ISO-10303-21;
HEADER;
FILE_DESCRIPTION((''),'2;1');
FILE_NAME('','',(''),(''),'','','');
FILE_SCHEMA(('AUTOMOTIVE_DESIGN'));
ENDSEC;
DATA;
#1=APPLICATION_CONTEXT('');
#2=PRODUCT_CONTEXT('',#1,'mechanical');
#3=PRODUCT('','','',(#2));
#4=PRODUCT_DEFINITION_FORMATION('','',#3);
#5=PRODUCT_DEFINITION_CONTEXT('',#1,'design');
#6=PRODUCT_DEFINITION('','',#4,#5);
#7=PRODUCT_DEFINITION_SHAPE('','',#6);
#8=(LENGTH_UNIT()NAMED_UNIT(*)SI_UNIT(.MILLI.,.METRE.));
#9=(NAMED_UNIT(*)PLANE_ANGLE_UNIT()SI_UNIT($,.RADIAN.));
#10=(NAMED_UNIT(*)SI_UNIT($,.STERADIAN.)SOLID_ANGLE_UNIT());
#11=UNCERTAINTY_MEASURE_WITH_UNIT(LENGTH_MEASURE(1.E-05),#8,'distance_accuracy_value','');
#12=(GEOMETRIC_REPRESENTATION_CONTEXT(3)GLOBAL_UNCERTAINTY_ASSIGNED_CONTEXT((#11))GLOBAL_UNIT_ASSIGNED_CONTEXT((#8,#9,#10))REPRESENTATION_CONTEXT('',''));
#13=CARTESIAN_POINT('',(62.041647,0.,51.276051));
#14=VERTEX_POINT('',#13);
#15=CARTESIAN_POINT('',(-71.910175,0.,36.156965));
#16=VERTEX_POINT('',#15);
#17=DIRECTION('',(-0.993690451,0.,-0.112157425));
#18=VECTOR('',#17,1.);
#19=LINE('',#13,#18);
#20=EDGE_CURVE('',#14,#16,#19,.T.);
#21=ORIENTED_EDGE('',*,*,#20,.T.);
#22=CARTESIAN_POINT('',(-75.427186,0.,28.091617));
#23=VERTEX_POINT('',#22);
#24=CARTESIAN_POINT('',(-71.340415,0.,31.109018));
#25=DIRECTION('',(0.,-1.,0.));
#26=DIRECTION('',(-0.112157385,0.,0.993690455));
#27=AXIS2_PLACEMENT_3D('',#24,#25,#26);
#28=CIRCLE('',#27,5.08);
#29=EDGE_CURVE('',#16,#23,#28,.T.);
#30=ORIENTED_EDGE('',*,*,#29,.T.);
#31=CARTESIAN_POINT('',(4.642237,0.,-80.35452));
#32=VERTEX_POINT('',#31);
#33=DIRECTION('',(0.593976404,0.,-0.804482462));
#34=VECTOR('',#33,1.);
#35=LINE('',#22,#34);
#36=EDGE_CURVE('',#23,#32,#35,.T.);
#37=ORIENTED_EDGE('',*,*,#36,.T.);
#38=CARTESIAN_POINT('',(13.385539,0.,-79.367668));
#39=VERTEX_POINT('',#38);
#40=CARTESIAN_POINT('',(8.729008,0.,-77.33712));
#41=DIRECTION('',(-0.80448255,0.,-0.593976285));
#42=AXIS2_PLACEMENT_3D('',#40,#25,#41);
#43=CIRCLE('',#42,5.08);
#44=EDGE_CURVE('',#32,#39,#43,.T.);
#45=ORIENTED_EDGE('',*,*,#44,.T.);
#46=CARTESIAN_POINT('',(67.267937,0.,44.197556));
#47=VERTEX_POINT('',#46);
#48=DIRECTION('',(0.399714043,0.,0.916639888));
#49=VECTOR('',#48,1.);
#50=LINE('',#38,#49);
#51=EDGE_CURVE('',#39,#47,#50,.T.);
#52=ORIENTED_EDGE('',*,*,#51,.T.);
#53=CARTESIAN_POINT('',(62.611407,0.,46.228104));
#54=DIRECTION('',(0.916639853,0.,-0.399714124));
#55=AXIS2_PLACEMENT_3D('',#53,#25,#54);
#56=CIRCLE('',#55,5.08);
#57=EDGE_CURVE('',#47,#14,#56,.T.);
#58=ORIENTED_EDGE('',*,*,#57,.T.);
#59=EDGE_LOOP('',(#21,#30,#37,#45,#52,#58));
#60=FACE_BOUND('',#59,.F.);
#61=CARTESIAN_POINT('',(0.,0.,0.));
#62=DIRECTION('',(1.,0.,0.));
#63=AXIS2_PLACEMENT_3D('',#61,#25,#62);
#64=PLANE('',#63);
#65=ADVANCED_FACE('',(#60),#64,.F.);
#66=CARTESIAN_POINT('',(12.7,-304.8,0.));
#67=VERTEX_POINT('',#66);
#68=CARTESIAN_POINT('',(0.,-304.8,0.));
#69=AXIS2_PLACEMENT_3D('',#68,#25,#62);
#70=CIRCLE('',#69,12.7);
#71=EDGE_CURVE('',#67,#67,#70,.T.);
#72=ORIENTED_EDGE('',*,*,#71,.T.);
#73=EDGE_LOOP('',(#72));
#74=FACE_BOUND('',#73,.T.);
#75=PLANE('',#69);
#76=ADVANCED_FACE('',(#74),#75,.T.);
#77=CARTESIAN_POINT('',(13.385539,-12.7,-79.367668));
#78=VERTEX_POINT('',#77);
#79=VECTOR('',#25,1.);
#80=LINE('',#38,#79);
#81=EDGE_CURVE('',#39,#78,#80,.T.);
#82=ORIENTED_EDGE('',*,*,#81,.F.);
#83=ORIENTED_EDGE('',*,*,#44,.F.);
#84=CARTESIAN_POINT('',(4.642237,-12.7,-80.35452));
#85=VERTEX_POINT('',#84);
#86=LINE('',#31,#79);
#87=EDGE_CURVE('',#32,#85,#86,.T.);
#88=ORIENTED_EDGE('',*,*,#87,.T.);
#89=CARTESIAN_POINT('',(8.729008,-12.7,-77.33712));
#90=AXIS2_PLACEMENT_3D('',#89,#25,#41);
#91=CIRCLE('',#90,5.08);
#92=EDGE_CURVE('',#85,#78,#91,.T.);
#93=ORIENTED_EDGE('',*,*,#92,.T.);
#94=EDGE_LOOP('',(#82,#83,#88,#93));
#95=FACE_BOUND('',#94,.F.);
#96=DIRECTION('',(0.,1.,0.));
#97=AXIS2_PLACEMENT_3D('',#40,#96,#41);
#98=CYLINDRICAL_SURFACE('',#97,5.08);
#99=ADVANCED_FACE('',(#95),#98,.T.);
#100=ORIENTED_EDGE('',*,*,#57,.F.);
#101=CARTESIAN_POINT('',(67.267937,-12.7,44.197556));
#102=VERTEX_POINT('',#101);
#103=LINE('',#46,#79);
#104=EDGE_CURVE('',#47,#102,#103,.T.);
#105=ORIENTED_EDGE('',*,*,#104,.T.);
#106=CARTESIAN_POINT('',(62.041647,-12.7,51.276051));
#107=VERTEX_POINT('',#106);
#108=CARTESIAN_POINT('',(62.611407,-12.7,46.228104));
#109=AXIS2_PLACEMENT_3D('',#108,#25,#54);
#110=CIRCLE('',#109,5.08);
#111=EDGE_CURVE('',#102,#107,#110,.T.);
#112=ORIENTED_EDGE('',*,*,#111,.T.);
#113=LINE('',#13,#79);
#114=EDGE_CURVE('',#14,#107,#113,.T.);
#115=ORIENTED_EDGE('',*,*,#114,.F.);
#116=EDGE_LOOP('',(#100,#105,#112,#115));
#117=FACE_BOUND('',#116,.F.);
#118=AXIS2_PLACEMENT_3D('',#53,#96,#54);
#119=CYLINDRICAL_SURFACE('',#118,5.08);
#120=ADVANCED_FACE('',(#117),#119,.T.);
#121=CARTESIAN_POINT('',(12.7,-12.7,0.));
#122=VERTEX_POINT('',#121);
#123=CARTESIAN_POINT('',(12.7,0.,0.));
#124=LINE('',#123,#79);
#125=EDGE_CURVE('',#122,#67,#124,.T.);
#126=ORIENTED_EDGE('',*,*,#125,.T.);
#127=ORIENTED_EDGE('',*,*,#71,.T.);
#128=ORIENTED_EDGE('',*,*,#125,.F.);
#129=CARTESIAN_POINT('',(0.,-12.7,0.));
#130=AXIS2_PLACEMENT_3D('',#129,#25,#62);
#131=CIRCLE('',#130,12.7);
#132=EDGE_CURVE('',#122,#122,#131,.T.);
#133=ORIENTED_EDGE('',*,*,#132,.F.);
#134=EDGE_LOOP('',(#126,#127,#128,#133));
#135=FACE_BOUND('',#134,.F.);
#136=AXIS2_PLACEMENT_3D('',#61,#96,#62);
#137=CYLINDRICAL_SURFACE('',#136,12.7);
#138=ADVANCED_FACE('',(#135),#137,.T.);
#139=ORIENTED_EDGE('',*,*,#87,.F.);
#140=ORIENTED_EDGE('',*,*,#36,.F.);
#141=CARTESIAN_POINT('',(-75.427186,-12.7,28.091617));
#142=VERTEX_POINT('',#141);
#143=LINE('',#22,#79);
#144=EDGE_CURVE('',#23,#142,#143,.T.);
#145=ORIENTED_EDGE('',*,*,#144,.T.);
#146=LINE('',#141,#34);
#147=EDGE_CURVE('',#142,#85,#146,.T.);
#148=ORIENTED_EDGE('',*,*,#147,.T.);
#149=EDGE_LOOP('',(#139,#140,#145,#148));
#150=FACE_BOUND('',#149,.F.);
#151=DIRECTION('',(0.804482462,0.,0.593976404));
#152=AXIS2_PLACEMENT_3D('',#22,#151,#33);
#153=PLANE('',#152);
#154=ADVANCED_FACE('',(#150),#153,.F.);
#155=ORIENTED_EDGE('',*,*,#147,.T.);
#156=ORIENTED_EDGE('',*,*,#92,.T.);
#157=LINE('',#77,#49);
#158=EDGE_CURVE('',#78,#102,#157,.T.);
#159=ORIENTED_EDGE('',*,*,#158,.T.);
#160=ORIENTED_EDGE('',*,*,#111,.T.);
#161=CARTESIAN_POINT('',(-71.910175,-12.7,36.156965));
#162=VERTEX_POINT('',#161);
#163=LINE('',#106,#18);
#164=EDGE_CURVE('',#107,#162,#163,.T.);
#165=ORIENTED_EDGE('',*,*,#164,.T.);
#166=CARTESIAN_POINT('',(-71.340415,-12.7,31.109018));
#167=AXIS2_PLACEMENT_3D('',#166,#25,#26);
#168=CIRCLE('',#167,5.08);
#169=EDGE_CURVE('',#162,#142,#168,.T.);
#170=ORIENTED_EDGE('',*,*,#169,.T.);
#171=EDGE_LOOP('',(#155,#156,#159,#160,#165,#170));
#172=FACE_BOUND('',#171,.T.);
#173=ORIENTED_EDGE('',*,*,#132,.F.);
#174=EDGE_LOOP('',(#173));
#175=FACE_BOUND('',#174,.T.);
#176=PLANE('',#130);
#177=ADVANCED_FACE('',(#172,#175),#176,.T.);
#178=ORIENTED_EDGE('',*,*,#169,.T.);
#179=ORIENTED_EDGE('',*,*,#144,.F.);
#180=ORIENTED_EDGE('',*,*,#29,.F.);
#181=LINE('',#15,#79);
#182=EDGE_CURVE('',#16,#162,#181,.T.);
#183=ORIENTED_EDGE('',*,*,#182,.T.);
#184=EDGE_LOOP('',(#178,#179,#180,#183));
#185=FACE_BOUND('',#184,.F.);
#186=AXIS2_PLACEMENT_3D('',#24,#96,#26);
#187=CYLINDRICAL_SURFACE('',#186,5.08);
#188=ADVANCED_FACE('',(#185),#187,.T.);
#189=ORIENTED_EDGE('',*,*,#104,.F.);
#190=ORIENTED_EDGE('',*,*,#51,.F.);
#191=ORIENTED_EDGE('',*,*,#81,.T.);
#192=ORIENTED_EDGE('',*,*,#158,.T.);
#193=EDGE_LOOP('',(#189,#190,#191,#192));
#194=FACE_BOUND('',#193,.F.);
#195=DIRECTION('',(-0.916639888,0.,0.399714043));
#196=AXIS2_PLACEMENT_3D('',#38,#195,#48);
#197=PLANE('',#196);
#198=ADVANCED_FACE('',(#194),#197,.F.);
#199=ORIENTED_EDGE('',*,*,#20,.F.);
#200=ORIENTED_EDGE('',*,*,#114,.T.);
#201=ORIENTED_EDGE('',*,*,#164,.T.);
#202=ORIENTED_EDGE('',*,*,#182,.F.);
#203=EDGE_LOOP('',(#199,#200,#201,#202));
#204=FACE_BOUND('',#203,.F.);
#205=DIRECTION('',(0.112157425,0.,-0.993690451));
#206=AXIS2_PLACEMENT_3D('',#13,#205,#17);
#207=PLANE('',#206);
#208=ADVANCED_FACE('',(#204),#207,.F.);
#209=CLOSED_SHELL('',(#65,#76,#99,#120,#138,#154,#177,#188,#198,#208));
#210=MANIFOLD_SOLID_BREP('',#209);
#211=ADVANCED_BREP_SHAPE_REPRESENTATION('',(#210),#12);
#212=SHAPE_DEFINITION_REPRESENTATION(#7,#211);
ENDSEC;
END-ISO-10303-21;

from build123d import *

# Parameters (mm, degrees)
F0_R     = 12.7
F1_DEPTH = 12.7
F2_DEPTH = 304.8


with BuildPart() as f1:
    # F0 (on Front) → F1 (new body)
    with BuildSketch(Plane.XZ):
        with BuildLine():
            Line((13.385539, -79.367668), (67.267937, 44.197556))
            ThreePointArc((67.267937, 44.197556), (66.698178, 49.245503), (62.041647, 51.276051))
            Line((62.041647, 51.276051), (-71.910175, 36.156965))
            ThreePointArc((-71.910175, 36.156965), (-75.996946, 33.139565), (-75.427186, 28.091617))
            Line((-75.427186, 28.091617), (4.642237, -80.35452))
            ThreePointArc((4.642237, -80.35452), (9.298768, -82.385068), (13.385539, -79.367668))
        make_face()
        Circle(F0_R, mode=Mode.SUBTRACT)
    extrude(amount=F1_DEPTH)

    # F0 (on Front) → F2 (join)
    with BuildSketch(Plane.XZ):
        Circle(F0_R)
    extrude(amount=F2_DEPTH)


solid = f1.part
